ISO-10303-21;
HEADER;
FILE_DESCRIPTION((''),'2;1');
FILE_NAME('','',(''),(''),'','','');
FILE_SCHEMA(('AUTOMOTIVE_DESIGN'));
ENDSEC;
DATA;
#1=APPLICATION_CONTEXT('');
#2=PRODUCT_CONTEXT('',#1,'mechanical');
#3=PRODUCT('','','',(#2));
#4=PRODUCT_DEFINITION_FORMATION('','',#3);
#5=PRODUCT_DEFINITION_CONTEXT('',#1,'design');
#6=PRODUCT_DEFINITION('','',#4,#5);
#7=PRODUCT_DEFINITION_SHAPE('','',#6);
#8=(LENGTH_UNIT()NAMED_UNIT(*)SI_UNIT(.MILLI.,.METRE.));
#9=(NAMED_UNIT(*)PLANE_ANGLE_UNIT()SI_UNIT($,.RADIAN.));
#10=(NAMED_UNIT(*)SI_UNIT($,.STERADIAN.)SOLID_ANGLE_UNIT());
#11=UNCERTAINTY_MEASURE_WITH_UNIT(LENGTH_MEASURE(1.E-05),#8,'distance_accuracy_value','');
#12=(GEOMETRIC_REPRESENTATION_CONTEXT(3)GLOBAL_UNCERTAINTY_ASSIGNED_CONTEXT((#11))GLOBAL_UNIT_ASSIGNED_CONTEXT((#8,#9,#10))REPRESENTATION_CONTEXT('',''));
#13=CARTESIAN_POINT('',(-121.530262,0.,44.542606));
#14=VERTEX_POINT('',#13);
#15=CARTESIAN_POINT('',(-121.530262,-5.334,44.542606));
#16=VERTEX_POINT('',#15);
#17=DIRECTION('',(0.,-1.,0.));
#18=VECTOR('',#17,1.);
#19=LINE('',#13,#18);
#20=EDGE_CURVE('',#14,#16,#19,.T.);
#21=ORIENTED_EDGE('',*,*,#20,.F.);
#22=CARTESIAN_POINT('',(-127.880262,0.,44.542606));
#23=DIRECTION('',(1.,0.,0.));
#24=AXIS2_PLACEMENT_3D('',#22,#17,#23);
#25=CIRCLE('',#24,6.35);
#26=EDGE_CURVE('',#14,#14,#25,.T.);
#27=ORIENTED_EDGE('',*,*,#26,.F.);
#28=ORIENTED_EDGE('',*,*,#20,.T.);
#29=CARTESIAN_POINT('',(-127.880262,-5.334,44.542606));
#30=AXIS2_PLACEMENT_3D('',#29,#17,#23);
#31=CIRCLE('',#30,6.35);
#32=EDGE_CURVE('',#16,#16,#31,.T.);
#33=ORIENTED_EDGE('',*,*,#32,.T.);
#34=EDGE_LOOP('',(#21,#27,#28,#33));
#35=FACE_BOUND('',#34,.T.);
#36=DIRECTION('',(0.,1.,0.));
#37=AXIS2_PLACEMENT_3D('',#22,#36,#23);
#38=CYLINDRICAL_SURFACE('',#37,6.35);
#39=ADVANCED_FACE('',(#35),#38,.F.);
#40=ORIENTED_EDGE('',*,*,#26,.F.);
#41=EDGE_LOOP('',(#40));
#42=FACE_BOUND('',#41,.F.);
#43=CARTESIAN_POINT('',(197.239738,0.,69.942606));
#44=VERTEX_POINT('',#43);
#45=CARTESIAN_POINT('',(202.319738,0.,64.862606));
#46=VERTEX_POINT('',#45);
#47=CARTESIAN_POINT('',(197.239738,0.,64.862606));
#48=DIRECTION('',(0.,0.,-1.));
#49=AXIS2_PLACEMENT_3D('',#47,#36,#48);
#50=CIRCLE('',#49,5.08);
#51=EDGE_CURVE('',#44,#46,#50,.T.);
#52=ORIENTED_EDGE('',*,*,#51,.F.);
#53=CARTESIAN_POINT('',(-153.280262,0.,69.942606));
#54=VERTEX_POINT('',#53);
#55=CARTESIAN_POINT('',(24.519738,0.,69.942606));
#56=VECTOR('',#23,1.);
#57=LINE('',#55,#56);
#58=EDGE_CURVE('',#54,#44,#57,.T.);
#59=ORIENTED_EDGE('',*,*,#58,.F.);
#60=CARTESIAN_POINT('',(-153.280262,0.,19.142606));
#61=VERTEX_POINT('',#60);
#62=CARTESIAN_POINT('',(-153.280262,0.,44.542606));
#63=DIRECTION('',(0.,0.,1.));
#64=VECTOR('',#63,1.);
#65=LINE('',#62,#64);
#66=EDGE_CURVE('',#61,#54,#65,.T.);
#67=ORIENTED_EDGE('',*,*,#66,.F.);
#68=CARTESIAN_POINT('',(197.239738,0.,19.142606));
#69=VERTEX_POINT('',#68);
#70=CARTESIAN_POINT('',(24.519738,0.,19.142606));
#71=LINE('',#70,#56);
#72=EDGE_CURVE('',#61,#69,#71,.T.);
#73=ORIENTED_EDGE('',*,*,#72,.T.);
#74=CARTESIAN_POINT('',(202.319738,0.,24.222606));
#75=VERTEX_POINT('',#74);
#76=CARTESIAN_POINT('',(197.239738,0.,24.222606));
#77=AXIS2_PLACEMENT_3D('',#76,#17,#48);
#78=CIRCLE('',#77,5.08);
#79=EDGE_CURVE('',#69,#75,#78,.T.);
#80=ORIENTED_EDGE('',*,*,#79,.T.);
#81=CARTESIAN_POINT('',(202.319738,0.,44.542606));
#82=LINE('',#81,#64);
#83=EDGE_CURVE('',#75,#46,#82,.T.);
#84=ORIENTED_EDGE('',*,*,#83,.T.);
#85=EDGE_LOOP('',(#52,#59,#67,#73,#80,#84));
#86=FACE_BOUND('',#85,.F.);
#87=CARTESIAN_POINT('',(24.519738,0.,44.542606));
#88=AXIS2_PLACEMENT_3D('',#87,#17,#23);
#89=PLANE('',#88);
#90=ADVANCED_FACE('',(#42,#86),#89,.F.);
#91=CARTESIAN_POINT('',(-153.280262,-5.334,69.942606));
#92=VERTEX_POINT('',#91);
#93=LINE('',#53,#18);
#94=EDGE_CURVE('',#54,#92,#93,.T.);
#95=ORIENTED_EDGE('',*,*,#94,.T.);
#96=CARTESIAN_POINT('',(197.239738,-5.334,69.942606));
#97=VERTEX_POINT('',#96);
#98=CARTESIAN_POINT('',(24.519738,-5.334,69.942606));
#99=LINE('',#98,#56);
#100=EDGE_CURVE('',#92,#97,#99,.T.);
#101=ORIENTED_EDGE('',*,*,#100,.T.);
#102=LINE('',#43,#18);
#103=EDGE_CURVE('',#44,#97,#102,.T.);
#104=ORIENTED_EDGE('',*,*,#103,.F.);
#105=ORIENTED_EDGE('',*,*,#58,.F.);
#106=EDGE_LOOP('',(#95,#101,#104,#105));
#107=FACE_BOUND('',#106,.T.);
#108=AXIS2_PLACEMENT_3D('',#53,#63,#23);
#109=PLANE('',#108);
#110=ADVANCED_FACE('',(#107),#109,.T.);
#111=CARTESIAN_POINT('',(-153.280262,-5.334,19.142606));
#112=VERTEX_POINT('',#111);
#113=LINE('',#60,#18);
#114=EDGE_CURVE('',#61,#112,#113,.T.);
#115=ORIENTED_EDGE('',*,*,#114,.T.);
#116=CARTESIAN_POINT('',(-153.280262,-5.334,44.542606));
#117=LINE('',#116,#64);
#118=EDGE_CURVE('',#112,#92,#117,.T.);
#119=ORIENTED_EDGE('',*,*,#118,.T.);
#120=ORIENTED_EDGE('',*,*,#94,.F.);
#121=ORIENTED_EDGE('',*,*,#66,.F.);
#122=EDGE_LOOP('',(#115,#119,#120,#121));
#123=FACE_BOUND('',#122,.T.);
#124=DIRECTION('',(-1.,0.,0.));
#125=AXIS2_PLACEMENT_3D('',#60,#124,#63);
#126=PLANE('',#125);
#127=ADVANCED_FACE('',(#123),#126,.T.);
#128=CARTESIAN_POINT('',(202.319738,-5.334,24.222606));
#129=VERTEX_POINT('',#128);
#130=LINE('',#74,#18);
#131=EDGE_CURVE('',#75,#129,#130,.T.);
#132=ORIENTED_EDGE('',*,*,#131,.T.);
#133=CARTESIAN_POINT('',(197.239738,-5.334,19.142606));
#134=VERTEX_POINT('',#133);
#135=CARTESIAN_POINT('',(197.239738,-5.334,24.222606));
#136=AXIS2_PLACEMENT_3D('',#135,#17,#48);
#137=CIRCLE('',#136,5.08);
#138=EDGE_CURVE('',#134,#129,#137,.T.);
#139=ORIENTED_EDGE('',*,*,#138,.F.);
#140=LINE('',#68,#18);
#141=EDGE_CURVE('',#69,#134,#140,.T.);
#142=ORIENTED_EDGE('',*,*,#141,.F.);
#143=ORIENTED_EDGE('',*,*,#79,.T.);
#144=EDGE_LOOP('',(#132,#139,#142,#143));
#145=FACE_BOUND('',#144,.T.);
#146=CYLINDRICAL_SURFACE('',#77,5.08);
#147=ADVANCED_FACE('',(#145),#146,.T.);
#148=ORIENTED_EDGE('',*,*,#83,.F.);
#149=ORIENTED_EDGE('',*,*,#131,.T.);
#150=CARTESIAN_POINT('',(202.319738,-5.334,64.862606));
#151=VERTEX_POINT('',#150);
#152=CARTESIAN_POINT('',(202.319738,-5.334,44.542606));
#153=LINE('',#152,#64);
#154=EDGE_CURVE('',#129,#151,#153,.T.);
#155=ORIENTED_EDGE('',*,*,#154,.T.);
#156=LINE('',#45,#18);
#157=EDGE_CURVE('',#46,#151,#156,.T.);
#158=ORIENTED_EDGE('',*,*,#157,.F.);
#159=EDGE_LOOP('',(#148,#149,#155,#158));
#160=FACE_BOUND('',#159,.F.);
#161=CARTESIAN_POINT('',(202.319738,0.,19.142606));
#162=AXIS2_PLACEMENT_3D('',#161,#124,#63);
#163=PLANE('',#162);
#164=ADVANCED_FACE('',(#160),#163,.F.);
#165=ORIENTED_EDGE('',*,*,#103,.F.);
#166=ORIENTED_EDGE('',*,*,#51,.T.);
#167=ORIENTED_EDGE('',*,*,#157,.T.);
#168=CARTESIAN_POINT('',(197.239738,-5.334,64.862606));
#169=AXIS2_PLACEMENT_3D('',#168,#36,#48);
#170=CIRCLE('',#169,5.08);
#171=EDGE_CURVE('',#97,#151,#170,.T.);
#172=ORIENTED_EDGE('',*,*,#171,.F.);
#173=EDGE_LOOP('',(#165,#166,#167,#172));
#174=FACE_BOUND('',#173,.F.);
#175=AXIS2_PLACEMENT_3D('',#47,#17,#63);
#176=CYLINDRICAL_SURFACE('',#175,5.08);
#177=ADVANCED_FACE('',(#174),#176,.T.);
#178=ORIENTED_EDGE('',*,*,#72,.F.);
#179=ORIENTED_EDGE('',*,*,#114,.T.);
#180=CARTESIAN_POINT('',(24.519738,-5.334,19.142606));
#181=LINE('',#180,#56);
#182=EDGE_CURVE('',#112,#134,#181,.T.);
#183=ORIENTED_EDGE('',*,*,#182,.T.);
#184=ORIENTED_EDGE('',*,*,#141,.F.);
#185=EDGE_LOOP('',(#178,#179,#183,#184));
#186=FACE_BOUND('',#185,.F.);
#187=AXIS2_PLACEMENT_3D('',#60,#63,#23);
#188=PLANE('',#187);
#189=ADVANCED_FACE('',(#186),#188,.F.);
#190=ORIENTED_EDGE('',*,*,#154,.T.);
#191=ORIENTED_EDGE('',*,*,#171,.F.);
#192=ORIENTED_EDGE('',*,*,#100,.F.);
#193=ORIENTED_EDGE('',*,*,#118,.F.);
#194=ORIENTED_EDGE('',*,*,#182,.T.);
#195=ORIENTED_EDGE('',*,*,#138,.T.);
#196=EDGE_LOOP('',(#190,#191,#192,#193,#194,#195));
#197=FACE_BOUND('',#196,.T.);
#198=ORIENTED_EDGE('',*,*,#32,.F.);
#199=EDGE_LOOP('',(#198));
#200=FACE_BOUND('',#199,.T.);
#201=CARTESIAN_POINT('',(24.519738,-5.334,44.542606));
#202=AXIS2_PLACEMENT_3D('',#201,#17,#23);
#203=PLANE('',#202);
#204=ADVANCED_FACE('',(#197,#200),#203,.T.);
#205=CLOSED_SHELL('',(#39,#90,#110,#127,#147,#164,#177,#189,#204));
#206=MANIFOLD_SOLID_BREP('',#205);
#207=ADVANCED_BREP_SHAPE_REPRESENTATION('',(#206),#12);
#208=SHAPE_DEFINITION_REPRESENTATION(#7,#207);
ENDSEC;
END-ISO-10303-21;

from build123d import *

# Parameters (mm, degrees)
F0_W     = 355.6
F0_H     = 50.8
F0_R     = 6.35
F1_DEPTH = 5.334
F2_R     = 5.08


with BuildPart() as f1:
    # F0 (on Front) → F1 (new body)
    with BuildSketch(Plane.XZ):
        with Locations((24.519738, 44.542606)):
            Rectangle(F0_W, F0_H)
        with Locations((-127.880262, 44.542606)):
            Circle(F0_R, mode=Mode.SUBTRACT)
    extrude(amount=F1_DEPTH)

    # F2
    f2_edges = [f1.edges().sort_by_distance(p)[0] for p in [
        (202.319738, -2.667, 69.942606),
        (202.319738, -2.667, 19.142606),
    ]]
    fillet(f2_edges, radius=F2_R)


solid = f1.part
